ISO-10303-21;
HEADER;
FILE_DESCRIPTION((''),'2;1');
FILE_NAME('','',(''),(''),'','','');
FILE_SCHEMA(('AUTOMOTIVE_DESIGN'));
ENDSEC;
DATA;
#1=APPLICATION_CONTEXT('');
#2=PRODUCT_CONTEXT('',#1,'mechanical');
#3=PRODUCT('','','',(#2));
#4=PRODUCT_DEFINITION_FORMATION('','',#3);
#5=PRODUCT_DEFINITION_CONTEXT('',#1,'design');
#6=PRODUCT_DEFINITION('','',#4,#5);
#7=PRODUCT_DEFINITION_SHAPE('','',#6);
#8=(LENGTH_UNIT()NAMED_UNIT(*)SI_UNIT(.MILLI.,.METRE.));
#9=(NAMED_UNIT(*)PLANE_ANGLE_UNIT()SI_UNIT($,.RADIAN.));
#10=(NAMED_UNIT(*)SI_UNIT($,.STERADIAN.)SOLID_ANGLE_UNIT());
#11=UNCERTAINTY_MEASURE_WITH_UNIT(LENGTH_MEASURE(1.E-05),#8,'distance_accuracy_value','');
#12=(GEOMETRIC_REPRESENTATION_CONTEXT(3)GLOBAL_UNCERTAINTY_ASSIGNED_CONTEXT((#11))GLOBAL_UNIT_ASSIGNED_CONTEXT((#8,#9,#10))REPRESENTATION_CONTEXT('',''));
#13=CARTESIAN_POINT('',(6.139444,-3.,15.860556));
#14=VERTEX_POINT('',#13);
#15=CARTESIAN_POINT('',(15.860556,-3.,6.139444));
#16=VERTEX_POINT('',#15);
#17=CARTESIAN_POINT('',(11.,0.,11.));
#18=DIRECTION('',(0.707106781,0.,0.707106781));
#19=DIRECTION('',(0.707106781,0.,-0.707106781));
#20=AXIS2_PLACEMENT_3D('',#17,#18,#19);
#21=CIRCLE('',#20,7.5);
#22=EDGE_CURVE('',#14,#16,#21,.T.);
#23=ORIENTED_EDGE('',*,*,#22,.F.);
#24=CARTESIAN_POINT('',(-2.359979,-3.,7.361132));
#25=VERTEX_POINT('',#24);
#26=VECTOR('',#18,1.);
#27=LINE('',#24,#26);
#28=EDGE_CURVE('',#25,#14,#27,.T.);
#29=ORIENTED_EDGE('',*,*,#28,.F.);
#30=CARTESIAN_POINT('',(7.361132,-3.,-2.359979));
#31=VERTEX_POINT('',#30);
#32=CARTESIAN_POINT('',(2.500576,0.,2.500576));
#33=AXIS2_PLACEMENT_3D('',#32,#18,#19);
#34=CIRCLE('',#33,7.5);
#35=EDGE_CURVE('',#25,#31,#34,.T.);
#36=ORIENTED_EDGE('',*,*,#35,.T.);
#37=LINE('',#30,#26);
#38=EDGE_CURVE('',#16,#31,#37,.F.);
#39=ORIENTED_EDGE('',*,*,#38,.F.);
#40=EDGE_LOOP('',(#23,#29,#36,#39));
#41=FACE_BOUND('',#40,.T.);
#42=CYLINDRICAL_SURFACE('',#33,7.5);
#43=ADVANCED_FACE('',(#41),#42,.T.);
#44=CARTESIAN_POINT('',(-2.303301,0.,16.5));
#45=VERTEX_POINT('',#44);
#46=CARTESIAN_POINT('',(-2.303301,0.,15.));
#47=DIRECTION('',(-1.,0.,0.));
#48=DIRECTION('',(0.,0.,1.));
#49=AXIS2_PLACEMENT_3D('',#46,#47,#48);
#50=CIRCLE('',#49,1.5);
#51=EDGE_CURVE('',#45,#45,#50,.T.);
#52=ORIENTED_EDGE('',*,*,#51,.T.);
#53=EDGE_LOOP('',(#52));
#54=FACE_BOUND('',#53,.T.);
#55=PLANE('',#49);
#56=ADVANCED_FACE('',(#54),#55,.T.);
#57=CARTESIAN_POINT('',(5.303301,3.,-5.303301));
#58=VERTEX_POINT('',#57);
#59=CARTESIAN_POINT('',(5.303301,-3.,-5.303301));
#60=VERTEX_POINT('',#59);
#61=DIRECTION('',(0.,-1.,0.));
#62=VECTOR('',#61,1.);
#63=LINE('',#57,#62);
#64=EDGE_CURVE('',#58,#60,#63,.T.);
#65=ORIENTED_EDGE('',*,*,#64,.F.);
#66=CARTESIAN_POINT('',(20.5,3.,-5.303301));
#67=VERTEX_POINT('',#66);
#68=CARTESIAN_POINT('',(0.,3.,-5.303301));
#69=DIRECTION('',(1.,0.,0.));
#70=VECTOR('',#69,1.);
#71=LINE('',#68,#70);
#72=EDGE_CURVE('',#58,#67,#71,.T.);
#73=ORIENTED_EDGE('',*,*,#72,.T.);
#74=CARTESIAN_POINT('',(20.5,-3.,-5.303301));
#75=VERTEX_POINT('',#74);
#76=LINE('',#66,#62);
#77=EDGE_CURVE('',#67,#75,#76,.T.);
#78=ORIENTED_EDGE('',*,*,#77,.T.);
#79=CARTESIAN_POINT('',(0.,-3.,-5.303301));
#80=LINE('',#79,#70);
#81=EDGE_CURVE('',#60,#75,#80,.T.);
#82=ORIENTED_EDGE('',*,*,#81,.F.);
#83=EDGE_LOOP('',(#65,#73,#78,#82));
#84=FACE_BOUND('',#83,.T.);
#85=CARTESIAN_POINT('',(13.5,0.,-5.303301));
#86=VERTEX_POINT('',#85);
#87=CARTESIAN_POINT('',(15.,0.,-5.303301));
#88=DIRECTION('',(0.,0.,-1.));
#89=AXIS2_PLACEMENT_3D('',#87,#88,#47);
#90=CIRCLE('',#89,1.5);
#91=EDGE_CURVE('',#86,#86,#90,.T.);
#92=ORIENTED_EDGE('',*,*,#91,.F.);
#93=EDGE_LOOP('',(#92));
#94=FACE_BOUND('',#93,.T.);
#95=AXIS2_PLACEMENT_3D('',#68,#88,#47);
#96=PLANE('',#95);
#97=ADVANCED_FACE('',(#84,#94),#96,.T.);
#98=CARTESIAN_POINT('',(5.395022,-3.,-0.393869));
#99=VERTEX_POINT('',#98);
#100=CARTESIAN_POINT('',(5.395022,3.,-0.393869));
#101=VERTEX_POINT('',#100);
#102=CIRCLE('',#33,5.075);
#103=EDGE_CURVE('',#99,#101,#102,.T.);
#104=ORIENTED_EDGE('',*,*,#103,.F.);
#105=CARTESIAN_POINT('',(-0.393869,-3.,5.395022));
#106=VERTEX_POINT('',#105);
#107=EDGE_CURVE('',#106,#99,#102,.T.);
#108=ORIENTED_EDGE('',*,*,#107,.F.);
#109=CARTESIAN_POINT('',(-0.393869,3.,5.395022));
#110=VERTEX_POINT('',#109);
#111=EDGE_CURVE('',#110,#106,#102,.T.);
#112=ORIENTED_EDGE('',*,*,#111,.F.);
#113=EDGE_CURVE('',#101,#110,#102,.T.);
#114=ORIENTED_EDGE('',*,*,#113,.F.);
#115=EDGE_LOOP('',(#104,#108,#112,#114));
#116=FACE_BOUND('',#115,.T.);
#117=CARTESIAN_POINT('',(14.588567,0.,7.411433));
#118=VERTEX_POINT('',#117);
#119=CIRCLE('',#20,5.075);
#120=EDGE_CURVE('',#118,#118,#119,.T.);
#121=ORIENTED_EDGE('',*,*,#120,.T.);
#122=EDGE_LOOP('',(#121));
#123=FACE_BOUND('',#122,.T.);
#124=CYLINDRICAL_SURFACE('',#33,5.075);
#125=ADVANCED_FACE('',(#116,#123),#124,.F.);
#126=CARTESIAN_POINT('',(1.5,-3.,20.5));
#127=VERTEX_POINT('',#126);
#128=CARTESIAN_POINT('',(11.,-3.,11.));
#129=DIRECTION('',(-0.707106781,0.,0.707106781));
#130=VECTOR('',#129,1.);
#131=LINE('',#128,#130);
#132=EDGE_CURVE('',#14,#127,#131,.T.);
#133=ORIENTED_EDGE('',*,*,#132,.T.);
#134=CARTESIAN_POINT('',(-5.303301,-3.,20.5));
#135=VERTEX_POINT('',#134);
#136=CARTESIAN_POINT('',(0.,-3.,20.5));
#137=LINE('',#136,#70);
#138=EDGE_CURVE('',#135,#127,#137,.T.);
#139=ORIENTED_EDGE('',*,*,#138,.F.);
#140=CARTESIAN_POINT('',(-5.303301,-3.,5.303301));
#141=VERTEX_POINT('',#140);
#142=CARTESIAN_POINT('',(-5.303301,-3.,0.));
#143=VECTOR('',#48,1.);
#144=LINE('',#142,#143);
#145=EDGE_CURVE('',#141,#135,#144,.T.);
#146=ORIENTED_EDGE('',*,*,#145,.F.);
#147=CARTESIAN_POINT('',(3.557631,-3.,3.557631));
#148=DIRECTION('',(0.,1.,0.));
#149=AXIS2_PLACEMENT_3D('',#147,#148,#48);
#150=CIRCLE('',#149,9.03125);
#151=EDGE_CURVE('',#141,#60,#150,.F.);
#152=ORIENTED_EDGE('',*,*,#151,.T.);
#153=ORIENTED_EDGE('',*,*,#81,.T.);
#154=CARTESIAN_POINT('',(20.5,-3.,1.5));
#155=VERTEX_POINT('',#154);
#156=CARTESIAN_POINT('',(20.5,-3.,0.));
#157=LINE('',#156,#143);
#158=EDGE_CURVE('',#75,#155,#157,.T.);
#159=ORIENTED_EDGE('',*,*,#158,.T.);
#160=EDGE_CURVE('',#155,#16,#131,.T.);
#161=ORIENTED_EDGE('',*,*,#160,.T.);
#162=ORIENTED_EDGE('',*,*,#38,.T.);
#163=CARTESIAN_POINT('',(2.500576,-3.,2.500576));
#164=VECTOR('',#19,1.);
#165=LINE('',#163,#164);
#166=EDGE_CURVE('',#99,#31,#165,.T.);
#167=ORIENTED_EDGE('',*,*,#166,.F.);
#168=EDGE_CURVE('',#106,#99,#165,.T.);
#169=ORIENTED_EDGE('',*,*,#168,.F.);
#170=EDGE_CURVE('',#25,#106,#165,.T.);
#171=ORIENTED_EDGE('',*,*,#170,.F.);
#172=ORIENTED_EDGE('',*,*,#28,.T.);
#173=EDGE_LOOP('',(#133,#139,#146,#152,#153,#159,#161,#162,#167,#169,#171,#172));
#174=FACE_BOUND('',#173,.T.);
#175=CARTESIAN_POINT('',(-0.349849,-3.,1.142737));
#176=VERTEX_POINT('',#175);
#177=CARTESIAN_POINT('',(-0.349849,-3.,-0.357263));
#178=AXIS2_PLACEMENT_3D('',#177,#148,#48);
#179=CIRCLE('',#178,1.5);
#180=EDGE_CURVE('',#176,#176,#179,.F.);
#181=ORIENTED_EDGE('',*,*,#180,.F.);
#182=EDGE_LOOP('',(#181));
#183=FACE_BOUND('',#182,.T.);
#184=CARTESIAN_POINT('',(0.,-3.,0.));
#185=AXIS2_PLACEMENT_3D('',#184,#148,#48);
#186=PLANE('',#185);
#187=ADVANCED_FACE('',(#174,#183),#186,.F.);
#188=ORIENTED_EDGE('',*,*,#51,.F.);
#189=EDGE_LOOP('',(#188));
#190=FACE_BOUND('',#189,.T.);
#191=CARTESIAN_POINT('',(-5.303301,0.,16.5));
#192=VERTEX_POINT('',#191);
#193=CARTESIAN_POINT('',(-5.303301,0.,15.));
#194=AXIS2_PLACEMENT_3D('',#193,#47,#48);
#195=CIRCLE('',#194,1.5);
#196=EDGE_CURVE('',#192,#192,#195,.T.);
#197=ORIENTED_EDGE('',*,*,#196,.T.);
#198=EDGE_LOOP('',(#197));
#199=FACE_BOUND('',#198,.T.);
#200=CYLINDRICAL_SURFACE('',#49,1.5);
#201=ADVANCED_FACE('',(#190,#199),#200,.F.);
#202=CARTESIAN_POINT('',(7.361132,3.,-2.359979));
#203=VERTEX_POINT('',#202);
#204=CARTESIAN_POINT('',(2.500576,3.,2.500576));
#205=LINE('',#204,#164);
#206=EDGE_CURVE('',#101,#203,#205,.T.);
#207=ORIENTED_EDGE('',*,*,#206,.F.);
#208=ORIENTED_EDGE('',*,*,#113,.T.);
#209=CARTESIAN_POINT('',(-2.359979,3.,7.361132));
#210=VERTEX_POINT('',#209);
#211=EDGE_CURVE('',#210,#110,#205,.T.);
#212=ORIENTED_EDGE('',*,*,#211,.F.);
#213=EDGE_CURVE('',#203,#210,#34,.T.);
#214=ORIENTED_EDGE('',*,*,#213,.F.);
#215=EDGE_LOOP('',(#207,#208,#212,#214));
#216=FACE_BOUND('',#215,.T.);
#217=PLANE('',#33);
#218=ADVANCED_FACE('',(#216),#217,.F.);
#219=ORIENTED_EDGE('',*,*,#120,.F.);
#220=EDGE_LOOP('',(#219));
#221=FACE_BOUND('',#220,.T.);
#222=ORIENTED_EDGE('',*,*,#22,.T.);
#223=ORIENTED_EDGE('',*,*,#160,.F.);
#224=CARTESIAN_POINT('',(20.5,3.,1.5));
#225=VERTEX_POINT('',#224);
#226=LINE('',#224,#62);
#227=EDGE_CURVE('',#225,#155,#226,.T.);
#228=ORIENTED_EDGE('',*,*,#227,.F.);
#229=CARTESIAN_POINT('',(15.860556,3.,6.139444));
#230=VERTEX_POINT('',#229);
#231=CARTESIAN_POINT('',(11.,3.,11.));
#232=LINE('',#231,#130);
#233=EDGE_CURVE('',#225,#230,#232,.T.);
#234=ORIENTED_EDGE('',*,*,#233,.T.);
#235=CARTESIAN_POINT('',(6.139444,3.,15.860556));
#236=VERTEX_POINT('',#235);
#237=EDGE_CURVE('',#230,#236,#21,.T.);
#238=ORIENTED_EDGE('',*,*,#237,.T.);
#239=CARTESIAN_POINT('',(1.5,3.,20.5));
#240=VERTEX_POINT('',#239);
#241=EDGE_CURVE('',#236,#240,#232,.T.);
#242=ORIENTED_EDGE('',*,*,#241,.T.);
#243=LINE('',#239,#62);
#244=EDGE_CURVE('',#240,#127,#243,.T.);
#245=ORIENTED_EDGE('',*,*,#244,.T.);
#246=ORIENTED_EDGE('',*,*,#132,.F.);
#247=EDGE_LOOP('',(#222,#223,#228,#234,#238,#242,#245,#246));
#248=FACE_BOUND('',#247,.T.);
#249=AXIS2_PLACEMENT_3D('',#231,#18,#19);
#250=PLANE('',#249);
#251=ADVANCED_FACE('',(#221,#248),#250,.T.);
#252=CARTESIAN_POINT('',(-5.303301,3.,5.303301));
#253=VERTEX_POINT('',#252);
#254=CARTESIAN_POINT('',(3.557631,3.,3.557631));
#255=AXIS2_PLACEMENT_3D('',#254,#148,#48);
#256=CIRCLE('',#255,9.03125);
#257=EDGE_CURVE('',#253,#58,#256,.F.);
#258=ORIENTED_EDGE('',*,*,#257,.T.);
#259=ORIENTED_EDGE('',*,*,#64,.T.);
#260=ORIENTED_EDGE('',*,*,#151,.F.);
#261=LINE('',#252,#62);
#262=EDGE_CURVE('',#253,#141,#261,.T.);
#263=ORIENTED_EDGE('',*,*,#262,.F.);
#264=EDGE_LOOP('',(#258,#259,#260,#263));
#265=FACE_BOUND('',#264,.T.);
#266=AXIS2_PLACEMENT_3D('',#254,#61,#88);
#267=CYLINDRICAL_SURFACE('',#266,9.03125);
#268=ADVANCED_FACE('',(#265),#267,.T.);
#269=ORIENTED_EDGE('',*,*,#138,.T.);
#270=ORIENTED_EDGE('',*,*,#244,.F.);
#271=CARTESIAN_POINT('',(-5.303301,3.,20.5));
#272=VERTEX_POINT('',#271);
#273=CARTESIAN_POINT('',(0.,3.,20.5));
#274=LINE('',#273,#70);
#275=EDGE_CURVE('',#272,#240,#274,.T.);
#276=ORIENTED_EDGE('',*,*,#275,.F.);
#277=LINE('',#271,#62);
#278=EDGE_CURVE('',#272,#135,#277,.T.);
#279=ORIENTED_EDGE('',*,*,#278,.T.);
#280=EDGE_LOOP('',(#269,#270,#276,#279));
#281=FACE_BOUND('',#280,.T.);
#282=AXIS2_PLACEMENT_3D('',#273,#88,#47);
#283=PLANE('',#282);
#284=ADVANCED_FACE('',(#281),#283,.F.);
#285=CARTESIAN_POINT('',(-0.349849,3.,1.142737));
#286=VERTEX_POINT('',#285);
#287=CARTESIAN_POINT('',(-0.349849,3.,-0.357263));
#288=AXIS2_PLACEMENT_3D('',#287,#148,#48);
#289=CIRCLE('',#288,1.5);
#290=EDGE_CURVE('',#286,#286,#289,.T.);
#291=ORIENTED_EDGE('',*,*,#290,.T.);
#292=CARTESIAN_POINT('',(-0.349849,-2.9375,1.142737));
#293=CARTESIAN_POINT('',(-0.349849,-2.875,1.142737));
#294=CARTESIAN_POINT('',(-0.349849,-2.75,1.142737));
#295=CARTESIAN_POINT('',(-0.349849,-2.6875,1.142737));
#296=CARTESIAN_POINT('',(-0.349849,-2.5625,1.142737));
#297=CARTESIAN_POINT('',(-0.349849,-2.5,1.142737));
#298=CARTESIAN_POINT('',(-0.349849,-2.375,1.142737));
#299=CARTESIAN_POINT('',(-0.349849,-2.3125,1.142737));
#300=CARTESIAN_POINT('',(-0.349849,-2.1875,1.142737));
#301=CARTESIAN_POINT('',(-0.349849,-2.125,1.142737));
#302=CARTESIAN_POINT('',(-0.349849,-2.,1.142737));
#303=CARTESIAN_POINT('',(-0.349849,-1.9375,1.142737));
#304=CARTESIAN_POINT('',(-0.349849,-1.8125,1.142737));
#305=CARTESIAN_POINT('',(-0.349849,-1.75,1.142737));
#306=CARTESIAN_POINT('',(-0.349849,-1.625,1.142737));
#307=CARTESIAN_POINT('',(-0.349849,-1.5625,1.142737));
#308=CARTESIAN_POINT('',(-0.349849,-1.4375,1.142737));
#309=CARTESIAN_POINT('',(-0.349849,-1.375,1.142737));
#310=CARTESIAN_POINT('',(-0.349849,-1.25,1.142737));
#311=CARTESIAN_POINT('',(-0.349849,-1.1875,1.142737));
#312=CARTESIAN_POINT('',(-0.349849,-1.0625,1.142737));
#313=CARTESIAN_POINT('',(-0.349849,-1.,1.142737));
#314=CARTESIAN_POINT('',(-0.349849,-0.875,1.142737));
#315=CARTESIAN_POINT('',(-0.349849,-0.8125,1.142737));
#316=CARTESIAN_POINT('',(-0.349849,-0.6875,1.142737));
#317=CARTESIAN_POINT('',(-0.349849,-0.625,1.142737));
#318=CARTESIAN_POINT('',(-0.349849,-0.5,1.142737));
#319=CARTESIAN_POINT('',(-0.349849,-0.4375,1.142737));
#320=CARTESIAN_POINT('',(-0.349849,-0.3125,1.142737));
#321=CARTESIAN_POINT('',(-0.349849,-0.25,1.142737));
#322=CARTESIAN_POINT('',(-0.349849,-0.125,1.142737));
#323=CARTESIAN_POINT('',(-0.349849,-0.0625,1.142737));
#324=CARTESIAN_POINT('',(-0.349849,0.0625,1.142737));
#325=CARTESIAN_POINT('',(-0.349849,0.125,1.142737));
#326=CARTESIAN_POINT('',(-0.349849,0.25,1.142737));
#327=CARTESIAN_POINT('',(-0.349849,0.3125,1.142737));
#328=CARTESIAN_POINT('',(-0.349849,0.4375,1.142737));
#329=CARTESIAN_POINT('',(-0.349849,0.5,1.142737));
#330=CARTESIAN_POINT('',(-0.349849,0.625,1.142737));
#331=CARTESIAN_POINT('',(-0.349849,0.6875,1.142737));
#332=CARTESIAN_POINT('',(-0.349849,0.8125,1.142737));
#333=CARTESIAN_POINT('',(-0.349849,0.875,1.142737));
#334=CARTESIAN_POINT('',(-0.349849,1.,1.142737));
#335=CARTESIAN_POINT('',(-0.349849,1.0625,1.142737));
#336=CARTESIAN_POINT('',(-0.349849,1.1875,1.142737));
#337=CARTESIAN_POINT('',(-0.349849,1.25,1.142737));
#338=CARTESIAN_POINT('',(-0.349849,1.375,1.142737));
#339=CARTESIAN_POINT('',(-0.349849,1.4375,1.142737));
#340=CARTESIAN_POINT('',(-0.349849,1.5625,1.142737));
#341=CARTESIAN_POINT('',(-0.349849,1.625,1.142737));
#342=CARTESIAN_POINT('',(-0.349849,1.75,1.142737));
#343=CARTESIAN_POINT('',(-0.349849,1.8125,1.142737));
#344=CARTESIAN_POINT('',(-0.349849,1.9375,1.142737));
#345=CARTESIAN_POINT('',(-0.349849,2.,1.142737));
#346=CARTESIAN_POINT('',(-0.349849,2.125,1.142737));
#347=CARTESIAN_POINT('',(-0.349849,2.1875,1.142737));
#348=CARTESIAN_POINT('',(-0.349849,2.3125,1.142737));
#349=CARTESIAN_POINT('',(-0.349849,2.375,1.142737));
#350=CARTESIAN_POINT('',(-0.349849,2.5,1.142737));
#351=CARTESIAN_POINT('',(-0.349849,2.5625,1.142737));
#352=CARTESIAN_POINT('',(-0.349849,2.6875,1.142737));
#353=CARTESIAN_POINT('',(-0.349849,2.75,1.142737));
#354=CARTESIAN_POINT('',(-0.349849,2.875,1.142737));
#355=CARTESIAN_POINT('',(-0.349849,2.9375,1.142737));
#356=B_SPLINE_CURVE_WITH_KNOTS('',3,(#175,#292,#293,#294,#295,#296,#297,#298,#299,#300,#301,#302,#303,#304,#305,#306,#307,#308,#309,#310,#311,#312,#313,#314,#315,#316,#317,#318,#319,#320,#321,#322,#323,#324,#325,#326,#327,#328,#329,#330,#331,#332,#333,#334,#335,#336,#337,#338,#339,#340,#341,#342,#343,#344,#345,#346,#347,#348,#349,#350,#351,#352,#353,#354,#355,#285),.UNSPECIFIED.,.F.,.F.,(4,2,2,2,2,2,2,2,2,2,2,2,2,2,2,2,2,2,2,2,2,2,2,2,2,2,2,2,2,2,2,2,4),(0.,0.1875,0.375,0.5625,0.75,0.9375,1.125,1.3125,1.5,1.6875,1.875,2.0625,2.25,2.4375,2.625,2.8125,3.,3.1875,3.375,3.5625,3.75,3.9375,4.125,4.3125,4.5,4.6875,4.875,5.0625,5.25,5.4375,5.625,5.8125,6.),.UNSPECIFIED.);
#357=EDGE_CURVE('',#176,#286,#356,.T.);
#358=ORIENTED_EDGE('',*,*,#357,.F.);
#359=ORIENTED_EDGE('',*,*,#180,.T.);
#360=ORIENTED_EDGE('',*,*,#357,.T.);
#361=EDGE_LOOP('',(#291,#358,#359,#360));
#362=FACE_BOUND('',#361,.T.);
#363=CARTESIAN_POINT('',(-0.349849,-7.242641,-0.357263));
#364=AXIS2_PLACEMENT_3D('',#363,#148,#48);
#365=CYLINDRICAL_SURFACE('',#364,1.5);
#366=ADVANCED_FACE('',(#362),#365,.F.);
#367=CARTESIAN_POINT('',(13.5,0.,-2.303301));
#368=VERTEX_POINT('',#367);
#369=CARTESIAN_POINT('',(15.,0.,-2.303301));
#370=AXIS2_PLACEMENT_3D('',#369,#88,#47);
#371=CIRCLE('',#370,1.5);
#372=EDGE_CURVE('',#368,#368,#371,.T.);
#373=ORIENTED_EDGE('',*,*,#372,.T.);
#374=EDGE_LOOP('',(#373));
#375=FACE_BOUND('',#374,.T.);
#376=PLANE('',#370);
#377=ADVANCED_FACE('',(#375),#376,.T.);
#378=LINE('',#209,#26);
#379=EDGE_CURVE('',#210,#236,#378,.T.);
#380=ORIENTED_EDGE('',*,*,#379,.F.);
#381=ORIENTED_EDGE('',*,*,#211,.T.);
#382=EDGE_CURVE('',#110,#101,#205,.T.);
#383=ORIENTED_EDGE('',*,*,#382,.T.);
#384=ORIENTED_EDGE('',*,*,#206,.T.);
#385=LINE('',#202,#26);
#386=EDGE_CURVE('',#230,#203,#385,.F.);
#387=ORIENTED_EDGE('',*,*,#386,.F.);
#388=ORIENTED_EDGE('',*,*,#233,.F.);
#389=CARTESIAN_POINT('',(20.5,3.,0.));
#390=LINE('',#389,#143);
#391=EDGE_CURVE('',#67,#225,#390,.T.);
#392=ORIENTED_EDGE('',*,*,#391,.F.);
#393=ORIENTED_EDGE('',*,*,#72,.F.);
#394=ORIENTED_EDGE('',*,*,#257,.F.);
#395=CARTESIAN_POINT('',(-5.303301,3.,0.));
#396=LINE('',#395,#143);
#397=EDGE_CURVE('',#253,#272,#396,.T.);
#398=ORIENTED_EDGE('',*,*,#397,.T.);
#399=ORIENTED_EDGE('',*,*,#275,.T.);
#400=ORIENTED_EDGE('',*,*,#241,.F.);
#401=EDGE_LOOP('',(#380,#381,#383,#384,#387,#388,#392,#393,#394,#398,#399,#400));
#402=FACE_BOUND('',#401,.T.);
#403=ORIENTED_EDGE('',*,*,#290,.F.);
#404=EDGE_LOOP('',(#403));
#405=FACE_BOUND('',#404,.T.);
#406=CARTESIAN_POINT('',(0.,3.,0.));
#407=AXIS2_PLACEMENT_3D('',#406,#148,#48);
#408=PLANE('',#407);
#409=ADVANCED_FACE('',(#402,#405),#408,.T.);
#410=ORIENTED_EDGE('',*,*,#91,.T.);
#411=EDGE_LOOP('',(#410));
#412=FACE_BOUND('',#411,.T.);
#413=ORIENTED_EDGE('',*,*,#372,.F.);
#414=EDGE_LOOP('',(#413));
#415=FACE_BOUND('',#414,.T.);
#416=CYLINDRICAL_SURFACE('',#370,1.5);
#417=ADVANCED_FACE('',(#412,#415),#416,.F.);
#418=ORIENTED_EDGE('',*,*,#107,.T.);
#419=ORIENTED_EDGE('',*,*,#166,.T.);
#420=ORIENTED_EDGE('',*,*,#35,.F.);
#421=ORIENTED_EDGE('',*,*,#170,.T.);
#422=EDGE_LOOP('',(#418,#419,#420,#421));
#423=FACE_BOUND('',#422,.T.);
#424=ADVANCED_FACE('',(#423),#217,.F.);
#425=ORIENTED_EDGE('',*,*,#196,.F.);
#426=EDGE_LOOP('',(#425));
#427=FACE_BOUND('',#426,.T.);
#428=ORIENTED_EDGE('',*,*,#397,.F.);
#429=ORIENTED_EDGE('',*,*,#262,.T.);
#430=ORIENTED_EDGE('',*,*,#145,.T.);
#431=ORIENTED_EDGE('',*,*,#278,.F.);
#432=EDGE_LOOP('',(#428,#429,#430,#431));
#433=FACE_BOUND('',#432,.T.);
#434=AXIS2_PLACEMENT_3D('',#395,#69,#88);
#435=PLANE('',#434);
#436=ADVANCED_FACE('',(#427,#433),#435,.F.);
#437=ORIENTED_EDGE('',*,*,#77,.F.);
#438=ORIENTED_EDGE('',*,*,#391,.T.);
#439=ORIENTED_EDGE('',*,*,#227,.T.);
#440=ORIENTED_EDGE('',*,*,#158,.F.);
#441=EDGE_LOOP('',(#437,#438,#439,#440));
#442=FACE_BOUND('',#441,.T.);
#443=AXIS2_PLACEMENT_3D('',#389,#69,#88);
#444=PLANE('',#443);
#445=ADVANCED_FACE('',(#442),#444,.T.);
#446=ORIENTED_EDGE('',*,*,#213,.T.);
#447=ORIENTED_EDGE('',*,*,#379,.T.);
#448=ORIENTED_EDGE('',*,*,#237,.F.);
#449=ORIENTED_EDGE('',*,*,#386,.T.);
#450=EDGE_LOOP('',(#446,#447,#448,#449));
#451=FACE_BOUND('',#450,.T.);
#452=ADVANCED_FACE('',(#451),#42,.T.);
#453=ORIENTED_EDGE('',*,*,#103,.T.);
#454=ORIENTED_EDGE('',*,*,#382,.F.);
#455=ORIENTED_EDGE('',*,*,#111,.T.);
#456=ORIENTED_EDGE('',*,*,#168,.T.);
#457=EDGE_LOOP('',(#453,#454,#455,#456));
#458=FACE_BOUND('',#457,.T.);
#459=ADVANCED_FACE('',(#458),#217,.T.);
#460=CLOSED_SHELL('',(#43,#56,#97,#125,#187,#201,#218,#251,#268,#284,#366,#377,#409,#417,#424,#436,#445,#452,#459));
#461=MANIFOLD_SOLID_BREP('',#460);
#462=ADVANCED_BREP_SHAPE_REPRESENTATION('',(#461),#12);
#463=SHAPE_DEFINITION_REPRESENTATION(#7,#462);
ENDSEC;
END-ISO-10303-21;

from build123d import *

# Parameters (mm, degrees)
BOSS_EXTRUDE1_DEPTH = 3
SKETCH2_R           = 7.5
SKETCH2_R_2         = 5.075
BOSS_EXTRUDE2_DEPTH = 12.02
SKETCH3_R           = 5.075
CUT_EXTRUDE1_DEPTH  = 12.02
SKETCH4_R           = 1.5
CUT_EXTRUDE2_DEPTH  = 6
SKETCH5_R           = 1.5
CUT_EXTRUDE3_DEPTH  = 3
SKETCH6_R           = 1.5
CUT_EXTRUDE4_DEPTH  = 3


with BuildPart() as part:
    # Sketch1 → Boss-Extrude1 (new, symmetric)
    with BuildSketch(Plane(origin=(0, 0, 0), x_dir=(1, 0, 0), z_dir=(0, 1, 0))):
        with BuildLine():
            Line((20.5, -1.5), (20.5, 0))
            Line((20.5, 0), (20.5, 2.035533906))
            Line((20.5, 2.035533906), (20.5, 3.535533906))
            Line((20.5, 3.535533906), (20.5, 5.303300859))
            Line((20.5, 5.303300859), (5.303300859, 5.303300859))
            ThreePointArc((5.303300859, 5.303300859), (-2.828427125, 2.828427125), (-5.303300859, -5.303300859))
            Line((-5.303300859, -5.303300859), (-5.303300859, -20.5))
            Line((-5.303300859, -20.5), (-3.535533906, -20.5))
            Line((-3.535533906, -20.5), (-2.035533906, -20.5))
            Line((-2.035533906, -20.5), (0, -20.5))
            Line((0, -20.5), (1.5, -20.5))
            Line((1.5, -20.5), (20.5, -1.5))
        make_face()
    extrude(amount=BOSS_EXTRUDE1_DEPTH, both=True)

    # Sketch2 → Boss-Extrude2 (add)
    with BuildSketch(Plane(origin=(11, 0, 11), x_dir=(0.7071067811865475, 0, -0.7071067811865477), z_dir=(0.7071067811865477, 0, 0.7071067811865475))):
        Circle(SKETCH2_R)
        Circle(SKETCH2_R_2, mode=Mode.SUBTRACT)
    extrude(amount=-BOSS_EXTRUDE2_DEPTH)

    # Sketch3 → Cut-Extrude1 (cut)
    with BuildSketch(Plane(origin=(11, 0, 11), x_dir=(0.7071067811865475, 0, -0.7071067811865477), z_dir=(0.7071067811865477, 0, 0.7071067811865475))):
        Circle(SKETCH3_R)
    extrude(amount=-CUT_EXTRUDE1_DEPTH, mode=Mode.SUBTRACT)

    # Sketch4 → Cut-Extrude2 (cut)
    with BuildSketch(Plane(origin=(0, 3, 0), x_dir=(1, 0, 0), z_dir=(0, 1, 0))):
        with Locations(Location((-0.349848925, 0.357263409, 0), (0, 0, 270))):
            Circle(SKETCH4_R)
    extrude(amount=-CUT_EXTRUDE2_DEPTH, mode=Mode.SUBTRACT)

    # Sketch5 → Cut-Extrude3 (cut)
    with BuildSketch(Plane.ZY.offset(5.303300859)):
        with Locations((15, 0)):
            Circle(SKETCH5_R)
    extrude(amount=-CUT_EXTRUDE3_DEPTH, mode=Mode.SUBTRACT)

    # Sketch6 → Cut-Extrude4 (cut)
    with BuildSketch(Plane(origin=(0, 0, -5.303300859), x_dir=(-1, 0, 0), z_dir=(0, 0, -1))):
        with Locations((-15, 0)):
            Circle(SKETCH6_R)
    extrude(amount=-CUT_EXTRUDE4_DEPTH, mode=Mode.SUBTRACT)


solid = part.part
